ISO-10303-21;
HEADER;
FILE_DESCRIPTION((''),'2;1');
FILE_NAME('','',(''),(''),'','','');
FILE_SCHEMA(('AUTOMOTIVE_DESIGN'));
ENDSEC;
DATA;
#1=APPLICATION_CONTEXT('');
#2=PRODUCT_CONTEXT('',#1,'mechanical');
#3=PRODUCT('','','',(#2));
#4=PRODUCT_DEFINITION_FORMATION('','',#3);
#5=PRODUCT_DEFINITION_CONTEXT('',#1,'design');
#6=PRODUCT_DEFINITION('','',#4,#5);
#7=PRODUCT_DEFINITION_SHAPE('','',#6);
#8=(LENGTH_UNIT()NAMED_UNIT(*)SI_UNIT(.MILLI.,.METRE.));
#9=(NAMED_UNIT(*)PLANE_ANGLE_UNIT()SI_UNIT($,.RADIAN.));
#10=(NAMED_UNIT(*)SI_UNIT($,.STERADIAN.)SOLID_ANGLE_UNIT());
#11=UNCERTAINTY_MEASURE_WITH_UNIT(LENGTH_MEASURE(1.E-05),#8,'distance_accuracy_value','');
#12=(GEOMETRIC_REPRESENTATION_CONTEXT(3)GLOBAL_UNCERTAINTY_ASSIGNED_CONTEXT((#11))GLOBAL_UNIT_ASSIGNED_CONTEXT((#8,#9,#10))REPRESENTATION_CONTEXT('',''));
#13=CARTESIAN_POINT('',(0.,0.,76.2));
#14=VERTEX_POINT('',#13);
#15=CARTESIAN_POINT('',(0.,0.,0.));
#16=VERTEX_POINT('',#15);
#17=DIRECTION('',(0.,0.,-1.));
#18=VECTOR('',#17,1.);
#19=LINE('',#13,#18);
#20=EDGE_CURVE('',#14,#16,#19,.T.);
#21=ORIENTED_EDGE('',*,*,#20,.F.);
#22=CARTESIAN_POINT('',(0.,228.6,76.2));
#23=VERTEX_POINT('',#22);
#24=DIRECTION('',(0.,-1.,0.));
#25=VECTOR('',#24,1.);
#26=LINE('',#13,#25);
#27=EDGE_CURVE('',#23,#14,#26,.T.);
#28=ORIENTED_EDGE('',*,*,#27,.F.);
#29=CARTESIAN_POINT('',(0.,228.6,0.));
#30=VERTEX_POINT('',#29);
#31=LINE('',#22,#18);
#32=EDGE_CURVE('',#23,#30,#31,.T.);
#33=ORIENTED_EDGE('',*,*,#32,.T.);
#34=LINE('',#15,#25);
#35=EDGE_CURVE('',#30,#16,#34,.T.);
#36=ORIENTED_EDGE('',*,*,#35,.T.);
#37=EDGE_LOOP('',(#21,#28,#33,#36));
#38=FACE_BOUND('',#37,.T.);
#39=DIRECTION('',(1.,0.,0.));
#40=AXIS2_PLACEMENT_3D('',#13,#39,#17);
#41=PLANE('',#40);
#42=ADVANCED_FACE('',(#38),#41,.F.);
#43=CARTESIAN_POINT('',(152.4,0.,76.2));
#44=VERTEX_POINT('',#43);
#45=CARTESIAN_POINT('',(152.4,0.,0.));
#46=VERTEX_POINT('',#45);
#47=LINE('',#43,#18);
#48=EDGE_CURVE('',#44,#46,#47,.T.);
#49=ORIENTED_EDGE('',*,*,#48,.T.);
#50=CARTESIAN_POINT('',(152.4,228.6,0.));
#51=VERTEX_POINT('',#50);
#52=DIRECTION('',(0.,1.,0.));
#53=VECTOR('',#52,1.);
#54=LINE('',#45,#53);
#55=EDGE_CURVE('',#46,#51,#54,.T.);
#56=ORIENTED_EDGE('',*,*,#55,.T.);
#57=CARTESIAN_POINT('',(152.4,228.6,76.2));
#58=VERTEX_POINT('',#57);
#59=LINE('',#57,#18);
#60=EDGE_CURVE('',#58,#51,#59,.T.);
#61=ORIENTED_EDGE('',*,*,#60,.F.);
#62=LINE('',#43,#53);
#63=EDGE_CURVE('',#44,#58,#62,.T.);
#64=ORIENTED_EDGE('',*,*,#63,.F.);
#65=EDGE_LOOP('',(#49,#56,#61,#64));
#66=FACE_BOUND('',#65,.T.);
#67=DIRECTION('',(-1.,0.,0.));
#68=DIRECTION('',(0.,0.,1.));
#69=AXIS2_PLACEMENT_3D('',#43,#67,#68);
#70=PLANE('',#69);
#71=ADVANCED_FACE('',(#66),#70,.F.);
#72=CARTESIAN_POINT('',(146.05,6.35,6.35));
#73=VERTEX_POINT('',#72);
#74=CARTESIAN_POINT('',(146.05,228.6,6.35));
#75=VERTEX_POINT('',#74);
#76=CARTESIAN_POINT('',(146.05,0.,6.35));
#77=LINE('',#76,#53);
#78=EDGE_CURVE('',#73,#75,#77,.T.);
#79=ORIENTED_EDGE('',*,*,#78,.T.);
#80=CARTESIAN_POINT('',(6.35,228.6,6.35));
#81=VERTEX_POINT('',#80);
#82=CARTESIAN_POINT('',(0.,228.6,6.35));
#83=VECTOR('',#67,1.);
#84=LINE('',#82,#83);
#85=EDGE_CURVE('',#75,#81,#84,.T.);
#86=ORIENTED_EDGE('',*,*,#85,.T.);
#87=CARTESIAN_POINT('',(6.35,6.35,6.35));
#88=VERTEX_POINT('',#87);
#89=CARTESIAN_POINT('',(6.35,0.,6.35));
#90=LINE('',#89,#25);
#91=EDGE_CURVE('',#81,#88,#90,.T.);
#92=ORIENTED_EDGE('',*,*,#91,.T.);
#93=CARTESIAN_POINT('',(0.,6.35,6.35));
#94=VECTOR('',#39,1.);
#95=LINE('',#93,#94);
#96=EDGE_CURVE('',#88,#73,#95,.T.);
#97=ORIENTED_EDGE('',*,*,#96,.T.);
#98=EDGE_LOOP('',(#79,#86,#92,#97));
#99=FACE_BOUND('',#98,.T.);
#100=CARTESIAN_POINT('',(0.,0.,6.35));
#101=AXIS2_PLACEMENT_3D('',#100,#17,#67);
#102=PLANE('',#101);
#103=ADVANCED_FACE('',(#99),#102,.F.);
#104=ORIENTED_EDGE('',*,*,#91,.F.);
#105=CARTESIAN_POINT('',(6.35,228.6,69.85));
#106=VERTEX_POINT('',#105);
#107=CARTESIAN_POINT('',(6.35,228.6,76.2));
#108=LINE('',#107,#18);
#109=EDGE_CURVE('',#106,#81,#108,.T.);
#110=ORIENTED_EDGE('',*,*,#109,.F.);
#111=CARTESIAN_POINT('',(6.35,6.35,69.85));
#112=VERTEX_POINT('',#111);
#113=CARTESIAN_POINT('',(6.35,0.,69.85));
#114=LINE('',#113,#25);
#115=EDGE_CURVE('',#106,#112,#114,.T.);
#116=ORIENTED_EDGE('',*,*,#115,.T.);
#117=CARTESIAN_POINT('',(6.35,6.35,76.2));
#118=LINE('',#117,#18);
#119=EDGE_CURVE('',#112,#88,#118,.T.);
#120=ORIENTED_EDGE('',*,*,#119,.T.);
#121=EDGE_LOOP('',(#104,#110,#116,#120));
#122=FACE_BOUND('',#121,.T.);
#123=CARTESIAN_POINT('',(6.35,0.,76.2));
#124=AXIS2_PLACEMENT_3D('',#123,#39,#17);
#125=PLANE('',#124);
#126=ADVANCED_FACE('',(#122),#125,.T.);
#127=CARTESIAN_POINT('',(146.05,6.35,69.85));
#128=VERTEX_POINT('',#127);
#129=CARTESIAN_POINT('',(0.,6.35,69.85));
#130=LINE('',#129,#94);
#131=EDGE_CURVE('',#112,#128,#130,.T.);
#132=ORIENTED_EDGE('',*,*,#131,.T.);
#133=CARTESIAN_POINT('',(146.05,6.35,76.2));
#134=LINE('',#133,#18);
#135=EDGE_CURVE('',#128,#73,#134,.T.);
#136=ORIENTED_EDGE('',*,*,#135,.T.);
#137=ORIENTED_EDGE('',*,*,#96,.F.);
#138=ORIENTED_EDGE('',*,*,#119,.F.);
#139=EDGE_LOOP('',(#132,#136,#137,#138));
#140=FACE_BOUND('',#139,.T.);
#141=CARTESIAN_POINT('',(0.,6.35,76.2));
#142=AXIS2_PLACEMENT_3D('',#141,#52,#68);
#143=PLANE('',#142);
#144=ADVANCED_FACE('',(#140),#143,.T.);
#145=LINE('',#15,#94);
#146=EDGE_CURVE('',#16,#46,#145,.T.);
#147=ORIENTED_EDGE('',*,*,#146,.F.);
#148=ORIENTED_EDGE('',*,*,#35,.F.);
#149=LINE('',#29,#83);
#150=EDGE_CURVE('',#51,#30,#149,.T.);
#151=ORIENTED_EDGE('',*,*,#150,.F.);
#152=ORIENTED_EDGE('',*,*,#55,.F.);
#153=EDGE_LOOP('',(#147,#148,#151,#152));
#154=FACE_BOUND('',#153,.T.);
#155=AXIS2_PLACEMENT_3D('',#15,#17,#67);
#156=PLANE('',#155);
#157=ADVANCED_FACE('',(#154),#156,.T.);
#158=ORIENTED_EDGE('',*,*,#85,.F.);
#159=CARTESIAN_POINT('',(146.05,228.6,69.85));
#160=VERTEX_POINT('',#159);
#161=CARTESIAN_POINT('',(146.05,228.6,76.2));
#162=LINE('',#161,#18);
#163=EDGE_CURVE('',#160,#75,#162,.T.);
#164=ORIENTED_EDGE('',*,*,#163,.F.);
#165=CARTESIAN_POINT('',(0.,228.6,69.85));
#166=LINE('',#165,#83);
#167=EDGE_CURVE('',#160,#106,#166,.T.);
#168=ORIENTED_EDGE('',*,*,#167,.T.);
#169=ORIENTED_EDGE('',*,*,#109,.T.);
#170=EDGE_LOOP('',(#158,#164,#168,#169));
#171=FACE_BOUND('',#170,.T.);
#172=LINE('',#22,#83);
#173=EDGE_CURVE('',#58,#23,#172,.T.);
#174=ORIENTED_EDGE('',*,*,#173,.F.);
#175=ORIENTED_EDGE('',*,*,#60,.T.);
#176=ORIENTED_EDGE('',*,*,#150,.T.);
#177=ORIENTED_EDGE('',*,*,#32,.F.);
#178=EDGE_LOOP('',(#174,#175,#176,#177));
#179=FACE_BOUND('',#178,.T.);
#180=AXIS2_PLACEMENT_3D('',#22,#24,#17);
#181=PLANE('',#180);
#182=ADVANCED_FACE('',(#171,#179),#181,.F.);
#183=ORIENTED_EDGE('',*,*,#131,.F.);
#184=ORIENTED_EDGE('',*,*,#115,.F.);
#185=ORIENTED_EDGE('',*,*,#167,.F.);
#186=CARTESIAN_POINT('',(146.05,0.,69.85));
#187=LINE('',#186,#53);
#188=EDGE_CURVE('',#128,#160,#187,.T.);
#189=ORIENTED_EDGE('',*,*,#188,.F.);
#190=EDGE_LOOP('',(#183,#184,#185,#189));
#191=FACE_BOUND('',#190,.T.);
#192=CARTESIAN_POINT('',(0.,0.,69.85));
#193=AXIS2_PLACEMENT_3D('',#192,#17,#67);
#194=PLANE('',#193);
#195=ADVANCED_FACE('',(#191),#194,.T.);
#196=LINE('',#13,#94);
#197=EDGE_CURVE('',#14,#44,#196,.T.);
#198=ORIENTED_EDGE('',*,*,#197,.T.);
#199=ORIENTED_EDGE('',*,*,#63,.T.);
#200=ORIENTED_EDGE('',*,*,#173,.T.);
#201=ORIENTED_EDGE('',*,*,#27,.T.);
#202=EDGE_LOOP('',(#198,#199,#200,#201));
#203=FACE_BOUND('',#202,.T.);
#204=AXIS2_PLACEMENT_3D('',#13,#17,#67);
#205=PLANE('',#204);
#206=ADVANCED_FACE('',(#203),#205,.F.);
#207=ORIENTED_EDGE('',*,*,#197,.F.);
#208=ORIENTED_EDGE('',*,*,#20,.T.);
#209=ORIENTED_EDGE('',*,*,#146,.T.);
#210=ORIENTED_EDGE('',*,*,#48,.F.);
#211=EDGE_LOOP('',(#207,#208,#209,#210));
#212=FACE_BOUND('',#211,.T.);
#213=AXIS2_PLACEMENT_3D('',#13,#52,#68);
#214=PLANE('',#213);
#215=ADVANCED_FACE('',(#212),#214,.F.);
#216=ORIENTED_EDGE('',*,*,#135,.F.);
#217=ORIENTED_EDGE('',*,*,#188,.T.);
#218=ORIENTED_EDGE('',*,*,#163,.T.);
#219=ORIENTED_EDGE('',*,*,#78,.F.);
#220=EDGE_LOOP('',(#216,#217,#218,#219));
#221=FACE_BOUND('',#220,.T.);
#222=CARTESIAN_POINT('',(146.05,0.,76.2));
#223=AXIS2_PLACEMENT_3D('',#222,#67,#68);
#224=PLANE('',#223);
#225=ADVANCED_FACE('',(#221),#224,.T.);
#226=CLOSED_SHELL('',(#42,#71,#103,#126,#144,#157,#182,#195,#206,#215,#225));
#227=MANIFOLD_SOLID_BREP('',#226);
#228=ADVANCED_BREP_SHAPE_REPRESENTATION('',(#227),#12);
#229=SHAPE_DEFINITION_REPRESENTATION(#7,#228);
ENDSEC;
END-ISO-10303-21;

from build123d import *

# Parameters (mm, degrees)
SKETCH1_W           = 152.4
SKETCH1_H           = 228.6
BOSS_EXTRUDE1_DEPTH = 76.2
SHELL1_T            = -6.35


with BuildPart() as part:
    # Sketch1 → Boss-Extrude1 (new body)
    with BuildSketch(Plane.XY):
        with Locations((76.2, 114.3)):
            Rectangle(SKETCH1_W, SKETCH1_H)
    extrude(amount=BOSS_EXTRUDE1_DEPTH)

    # Shell1
    shell1_openings = [part.faces().sort_by_distance(p)[0] for p in [
        (76.2, 228.6, 38.1),
    ]]
    offset(amount=SHELL1_T, openings=shell1_openings, kind=Kind.INTERSECTION)


solid = part.part
